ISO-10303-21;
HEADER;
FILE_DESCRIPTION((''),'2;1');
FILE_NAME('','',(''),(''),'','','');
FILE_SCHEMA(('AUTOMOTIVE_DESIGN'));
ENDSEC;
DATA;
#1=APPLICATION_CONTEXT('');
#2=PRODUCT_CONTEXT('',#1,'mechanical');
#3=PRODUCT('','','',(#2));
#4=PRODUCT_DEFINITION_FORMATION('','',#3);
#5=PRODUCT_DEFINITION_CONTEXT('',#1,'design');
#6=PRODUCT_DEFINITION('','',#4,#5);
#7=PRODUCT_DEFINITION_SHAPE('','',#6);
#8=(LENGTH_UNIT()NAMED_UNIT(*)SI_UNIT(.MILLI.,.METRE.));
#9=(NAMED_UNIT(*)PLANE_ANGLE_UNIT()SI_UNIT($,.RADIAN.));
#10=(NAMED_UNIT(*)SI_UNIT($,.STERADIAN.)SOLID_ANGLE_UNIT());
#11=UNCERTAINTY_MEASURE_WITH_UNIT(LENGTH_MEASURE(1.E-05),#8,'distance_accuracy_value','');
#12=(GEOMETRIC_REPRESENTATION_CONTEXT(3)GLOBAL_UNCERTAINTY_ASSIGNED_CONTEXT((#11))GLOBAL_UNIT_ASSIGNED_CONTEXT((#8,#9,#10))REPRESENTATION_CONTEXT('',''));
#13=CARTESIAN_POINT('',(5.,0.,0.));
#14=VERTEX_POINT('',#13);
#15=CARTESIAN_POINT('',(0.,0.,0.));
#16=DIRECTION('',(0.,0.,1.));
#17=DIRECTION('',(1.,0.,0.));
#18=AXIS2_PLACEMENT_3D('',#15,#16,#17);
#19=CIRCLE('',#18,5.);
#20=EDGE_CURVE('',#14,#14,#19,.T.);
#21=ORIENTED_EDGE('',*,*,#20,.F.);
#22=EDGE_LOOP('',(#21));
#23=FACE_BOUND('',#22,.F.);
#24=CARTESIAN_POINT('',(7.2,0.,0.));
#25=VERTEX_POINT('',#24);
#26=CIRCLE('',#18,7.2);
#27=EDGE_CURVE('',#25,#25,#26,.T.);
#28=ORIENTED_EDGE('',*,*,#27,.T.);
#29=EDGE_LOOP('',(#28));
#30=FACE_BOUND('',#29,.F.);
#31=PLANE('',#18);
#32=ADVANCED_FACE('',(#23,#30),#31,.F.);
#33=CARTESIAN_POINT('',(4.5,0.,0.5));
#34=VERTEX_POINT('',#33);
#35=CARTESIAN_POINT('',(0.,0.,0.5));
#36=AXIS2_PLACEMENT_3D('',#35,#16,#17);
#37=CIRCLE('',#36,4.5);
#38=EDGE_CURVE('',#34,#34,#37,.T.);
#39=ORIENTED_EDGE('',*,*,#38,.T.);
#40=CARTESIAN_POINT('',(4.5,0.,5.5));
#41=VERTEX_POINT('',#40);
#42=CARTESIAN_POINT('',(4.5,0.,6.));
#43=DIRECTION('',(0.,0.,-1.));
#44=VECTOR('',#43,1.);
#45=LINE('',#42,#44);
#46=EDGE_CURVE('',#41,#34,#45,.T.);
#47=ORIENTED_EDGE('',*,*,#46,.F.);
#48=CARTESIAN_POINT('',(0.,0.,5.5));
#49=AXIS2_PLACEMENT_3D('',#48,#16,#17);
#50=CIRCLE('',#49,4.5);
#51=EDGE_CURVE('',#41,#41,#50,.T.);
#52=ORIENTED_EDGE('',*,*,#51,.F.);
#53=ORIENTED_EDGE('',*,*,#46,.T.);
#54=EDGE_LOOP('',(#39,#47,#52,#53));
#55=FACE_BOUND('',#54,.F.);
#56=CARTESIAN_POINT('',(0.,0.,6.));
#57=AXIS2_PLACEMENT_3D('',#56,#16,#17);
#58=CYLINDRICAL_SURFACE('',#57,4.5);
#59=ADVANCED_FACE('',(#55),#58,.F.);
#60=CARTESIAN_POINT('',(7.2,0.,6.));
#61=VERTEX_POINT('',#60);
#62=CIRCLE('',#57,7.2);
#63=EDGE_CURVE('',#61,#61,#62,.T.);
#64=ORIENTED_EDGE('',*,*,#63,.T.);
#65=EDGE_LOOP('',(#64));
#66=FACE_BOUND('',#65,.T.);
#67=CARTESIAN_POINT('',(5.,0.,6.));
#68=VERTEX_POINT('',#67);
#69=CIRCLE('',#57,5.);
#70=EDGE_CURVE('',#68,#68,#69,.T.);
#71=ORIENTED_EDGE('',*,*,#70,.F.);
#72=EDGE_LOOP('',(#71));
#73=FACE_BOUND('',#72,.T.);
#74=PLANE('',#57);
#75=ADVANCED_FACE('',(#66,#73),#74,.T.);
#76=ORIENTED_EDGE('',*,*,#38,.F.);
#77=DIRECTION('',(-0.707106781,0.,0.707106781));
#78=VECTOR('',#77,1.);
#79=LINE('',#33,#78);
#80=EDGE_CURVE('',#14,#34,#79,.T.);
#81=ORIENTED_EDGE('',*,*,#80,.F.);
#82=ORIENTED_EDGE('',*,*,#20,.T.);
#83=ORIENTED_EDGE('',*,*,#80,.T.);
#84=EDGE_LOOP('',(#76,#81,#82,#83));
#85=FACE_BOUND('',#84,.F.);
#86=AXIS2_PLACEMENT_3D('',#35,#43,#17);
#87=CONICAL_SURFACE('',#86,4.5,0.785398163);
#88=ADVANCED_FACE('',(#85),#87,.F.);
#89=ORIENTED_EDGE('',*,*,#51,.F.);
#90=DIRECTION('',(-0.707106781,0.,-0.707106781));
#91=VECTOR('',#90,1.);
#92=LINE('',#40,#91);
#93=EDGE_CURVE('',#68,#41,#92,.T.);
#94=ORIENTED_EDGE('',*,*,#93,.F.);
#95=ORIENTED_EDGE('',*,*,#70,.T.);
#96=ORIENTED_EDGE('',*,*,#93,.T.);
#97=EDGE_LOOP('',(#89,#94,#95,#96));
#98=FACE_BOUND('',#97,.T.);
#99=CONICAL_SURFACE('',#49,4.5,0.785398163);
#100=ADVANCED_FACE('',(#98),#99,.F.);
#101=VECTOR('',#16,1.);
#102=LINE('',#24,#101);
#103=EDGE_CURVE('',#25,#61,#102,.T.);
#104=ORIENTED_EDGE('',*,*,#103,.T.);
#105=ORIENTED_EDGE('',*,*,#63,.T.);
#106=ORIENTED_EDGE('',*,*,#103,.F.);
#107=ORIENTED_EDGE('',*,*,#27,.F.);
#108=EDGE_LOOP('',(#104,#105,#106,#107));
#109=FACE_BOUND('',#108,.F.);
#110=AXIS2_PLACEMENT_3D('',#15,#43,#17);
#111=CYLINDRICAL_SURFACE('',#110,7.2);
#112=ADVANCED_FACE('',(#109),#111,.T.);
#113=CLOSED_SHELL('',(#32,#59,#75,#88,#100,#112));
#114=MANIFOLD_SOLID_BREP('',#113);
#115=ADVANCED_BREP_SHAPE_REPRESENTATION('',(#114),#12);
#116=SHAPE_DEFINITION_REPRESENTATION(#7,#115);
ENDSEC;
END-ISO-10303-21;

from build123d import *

# Parameters (mm, degrees)
F0_R     = 7.2
F1_DEPTH = 6
F2_R     = 4.5
F3_DEPTH = 6.001
F4_SIZE2 = 0.5
F4_SIZE  = 0.5


with BuildPart() as f1:
    # F0 (on Top) → F1 (new body)
    with BuildSketch(Plane.XY):
        Circle(F0_R)
    extrude(amount=F1_DEPTH)

    # F2 (on face) → F3 (cut, through all)
    with BuildSketch(Plane.XY.offset(6)):
        Circle(F2_R)
    extrude(amount=-F3_DEPTH, mode=Mode.SUBTRACT)

    # F4
    f4_edges = [f1.edges().sort_by_distance(p)[0] for p in [
        (-4.5, 0, 6),
        (4.5, 0, 3),
        (-4.5, 0, 0),
    ]]
    chamfer(f4_edges, length=F4_SIZE, length2=F4_SIZE2)


solid = f1.part
